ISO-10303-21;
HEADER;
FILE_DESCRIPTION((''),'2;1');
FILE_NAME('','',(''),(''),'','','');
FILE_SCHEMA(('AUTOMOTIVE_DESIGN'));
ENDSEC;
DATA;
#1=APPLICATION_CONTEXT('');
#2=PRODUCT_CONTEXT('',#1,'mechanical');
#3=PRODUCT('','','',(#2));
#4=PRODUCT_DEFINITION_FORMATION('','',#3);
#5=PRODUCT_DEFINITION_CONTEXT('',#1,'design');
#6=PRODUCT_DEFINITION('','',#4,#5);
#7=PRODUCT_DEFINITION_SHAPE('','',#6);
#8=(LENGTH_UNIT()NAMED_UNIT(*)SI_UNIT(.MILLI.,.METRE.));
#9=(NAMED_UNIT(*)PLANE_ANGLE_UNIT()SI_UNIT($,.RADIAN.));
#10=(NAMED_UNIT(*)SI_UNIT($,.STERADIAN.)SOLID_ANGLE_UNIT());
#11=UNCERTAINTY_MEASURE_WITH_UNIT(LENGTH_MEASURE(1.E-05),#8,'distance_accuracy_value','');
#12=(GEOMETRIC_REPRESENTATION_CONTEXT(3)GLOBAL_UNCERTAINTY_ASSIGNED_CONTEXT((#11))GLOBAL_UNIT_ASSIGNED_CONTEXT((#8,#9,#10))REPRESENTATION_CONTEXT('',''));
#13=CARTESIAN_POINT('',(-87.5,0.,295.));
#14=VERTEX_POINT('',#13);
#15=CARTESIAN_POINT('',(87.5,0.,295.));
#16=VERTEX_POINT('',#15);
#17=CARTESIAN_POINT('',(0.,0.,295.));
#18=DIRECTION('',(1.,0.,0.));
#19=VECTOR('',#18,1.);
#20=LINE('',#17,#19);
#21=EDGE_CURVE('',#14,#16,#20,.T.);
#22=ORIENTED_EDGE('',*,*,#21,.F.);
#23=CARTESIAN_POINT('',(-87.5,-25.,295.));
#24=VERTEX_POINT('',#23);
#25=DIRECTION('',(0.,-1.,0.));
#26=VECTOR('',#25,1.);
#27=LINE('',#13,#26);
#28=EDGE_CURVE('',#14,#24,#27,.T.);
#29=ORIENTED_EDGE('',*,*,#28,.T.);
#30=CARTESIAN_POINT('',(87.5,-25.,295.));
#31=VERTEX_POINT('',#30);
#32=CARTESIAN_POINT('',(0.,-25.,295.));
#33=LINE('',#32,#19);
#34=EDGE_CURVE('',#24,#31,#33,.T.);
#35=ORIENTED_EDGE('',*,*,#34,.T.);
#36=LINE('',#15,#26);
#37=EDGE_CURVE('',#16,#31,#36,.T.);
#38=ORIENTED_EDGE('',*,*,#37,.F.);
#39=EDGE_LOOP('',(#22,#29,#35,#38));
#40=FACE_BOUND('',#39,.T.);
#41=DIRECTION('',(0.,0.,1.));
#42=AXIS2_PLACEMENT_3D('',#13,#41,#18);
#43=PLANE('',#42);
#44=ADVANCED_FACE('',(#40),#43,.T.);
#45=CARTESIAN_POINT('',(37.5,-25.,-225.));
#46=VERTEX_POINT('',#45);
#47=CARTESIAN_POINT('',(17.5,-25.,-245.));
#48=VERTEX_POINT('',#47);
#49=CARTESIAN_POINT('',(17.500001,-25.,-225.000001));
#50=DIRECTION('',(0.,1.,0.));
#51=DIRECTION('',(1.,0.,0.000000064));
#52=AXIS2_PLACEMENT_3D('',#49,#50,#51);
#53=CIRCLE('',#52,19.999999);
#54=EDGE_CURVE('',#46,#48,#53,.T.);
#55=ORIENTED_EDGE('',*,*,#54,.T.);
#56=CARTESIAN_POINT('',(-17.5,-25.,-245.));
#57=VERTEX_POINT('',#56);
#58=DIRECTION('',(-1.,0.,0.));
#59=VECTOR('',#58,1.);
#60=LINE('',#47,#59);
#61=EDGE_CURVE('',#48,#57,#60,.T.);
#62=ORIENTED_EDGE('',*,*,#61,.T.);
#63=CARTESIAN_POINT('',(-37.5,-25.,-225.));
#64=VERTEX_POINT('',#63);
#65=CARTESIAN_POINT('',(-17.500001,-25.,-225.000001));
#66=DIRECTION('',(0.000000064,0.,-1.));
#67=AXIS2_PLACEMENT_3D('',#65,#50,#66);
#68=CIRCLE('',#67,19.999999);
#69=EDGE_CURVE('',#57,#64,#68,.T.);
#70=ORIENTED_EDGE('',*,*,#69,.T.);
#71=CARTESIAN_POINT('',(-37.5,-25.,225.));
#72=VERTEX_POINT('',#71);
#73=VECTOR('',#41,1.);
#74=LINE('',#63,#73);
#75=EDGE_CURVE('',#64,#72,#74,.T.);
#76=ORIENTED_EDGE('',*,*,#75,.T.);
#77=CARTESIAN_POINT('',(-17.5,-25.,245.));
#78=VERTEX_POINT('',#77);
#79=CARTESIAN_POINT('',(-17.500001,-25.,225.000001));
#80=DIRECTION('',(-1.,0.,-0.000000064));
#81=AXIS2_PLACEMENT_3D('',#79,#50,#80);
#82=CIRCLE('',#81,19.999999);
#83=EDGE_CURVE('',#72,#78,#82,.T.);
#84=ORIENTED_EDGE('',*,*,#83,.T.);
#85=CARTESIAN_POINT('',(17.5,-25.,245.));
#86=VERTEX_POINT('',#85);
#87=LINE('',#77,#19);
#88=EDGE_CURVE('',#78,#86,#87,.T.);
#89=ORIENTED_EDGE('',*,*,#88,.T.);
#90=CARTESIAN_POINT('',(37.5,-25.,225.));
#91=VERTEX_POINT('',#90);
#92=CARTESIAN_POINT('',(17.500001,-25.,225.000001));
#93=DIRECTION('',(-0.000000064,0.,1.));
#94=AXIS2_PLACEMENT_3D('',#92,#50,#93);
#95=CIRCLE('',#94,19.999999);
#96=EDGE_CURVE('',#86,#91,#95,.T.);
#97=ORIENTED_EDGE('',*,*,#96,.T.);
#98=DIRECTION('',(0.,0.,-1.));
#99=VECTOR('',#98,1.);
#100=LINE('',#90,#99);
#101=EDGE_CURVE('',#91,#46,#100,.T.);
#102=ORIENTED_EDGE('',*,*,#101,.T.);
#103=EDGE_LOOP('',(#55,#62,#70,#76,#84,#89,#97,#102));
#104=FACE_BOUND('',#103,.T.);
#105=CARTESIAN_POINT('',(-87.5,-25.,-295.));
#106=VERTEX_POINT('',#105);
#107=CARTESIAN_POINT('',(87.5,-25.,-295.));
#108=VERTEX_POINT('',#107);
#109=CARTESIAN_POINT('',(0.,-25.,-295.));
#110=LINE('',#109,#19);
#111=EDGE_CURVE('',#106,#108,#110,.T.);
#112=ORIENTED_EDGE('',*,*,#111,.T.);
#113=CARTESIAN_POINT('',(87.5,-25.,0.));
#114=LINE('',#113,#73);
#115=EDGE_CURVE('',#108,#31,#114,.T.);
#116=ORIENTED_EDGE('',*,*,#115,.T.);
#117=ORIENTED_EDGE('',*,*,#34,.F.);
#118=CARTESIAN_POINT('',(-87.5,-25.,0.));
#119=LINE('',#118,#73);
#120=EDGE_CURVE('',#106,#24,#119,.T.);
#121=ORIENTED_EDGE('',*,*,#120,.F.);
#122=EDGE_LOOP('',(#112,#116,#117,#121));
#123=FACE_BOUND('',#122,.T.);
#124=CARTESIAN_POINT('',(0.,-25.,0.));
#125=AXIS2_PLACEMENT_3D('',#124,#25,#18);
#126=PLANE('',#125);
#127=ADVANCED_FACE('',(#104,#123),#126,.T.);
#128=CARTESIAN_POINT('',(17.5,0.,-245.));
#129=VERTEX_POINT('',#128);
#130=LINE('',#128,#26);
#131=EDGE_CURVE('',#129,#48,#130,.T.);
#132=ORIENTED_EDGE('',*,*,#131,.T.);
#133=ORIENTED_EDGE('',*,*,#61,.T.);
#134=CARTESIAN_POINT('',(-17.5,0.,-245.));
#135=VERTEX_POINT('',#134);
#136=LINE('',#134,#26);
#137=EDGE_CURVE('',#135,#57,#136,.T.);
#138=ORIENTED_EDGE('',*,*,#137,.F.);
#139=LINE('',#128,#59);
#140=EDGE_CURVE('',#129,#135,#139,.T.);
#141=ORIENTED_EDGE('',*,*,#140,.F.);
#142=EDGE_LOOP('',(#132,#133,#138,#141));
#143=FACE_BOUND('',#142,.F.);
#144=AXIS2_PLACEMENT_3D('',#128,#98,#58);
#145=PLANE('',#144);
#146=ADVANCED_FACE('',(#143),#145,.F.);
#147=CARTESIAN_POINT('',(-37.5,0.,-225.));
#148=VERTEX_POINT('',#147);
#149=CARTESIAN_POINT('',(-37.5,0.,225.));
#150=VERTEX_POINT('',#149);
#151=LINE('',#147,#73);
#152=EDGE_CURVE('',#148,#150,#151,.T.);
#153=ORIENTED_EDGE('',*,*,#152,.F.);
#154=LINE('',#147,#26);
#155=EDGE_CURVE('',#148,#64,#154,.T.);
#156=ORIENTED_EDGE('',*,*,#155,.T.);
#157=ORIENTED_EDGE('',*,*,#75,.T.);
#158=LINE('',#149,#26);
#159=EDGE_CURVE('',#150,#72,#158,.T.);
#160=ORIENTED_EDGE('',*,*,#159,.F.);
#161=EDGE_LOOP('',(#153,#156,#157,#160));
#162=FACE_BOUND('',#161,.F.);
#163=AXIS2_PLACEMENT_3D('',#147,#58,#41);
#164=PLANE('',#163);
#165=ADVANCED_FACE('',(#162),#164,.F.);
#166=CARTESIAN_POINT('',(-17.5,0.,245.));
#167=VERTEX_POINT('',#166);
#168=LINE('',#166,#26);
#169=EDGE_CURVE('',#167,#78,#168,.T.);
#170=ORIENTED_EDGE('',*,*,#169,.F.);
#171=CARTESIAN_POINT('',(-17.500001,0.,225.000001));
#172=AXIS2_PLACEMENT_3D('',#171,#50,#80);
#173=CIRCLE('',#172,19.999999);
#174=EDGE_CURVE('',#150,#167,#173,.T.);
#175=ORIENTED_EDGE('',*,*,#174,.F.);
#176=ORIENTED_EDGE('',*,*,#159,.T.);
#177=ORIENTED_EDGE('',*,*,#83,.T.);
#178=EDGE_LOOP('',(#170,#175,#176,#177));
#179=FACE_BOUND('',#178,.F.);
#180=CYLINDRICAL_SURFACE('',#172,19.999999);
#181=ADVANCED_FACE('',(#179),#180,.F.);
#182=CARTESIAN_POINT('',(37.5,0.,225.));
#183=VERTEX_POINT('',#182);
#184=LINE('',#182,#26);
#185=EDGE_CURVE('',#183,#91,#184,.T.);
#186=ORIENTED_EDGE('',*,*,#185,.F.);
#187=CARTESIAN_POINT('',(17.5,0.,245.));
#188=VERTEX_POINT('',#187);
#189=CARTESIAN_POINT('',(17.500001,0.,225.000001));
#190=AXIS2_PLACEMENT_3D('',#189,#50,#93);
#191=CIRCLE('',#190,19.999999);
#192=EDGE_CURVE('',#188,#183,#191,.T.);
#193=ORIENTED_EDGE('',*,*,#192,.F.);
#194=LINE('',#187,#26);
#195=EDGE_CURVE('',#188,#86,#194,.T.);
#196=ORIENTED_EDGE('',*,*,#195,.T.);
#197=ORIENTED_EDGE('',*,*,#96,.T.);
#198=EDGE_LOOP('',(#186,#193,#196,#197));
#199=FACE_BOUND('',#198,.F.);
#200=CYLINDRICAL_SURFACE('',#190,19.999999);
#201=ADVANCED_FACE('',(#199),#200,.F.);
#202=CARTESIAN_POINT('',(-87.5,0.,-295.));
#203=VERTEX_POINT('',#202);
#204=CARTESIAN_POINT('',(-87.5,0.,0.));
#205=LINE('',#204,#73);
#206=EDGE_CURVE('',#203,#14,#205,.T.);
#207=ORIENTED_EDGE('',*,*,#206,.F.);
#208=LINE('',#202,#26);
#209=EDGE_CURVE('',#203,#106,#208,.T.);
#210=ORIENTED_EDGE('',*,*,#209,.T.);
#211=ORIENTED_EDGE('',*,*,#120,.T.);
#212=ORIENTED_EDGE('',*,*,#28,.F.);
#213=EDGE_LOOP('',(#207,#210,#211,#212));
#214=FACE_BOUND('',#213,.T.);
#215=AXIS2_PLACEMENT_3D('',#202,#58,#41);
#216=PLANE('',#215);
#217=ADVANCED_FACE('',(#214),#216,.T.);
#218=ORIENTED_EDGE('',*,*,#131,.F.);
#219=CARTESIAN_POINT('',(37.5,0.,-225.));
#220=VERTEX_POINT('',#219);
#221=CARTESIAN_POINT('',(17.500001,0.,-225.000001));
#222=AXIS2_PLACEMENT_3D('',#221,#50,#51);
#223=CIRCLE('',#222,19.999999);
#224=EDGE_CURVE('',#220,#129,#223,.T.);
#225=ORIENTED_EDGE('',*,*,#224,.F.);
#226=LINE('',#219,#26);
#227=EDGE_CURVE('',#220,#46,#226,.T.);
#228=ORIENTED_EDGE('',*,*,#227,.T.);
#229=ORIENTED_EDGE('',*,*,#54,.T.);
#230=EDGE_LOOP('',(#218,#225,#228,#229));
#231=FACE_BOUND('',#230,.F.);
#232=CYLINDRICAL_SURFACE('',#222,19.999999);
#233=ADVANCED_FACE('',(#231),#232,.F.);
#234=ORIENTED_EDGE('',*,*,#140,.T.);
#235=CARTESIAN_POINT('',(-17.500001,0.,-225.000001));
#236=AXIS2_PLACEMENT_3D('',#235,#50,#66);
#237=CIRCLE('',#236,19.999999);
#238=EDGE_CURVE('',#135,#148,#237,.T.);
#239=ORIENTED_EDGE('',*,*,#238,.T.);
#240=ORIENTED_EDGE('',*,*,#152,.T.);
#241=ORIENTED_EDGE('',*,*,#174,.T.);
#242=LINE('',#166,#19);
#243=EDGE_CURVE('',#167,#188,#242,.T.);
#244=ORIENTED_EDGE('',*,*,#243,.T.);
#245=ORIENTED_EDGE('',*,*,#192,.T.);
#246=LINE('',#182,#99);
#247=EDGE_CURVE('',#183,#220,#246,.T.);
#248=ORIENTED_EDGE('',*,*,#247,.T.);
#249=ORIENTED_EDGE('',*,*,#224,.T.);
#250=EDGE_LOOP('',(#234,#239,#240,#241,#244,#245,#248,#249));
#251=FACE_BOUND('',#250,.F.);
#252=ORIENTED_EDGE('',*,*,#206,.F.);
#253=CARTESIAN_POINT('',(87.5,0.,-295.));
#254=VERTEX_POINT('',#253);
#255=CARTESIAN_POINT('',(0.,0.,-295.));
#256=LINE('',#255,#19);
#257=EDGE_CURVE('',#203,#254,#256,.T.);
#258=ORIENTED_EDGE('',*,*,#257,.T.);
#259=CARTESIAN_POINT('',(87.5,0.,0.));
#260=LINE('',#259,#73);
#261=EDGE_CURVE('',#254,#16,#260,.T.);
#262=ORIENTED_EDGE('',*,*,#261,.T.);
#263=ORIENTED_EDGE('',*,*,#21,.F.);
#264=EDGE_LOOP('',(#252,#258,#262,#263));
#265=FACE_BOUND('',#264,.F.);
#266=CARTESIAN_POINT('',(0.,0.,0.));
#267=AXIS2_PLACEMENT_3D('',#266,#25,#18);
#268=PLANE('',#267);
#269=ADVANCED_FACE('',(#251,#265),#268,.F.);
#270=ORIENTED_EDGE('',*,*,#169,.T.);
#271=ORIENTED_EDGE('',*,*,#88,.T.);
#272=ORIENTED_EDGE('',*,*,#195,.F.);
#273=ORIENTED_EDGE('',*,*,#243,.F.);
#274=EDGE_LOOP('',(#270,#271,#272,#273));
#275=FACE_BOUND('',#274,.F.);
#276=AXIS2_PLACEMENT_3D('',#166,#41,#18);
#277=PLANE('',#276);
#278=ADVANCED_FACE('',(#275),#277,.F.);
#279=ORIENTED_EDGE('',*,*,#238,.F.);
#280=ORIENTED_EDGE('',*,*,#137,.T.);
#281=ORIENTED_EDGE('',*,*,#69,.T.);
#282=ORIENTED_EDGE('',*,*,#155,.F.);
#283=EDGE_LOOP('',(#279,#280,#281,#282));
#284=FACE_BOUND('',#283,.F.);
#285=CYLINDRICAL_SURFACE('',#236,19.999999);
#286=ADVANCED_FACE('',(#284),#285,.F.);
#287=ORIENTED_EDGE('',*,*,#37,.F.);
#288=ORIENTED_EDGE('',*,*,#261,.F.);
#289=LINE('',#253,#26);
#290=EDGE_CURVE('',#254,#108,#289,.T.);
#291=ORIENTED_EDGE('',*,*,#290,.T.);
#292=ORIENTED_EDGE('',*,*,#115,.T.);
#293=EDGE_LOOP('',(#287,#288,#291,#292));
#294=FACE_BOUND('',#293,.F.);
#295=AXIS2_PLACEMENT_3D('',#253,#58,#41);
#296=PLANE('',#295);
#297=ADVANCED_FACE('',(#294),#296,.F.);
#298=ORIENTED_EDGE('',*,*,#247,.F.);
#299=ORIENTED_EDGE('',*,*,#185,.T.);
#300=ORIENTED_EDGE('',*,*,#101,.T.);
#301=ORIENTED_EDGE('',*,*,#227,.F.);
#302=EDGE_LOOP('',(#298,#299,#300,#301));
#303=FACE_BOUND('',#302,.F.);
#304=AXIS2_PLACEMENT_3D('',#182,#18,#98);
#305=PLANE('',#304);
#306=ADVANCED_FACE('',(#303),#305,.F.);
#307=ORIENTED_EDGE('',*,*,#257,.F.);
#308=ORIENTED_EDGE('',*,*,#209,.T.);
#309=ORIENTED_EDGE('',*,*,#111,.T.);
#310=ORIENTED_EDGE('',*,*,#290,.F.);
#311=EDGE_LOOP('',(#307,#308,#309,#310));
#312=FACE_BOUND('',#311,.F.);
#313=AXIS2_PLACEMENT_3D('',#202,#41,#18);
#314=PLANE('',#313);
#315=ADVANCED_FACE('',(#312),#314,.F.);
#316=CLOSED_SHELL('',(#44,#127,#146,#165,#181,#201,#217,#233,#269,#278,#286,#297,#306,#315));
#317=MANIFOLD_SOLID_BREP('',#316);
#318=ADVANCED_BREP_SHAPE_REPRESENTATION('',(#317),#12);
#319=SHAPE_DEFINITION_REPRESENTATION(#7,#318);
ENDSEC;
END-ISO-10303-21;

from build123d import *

# Parameters (mm, degrees)
F0_W     = 175
F0_H     = 590
F1_DEPTH = 25


with BuildPart() as f1:
    # F0 (on Front) → F1 (new body)
    with BuildSketch(Plane.XZ):
        Rectangle(F0_W, F0_H)
        with BuildLine():
            ThreePointArc((-37.5, 225), (-31.642136, 239.142136), (-17.5, 245))
            Line((-17.5, 245), (17.5, 245))
            ThreePointArc((17.5, 245), (31.642136, 239.142136), (37.5, 225))
            Line((37.5, 225), (37.5, -225))
            ThreePointArc((37.5, -225), (31.642136, -239.142136), (17.5, -245))
            Line((17.5, -245), (-17.5, -245))
            ThreePointArc((-17.5, -245), (-31.642136, -239.142136), (-37.5, -225))
            Line((-37.5, -225), (-37.5, 225))
        make_face(mode=Mode.SUBTRACT)
    extrude(amount=F1_DEPTH)


solid = f1.part
